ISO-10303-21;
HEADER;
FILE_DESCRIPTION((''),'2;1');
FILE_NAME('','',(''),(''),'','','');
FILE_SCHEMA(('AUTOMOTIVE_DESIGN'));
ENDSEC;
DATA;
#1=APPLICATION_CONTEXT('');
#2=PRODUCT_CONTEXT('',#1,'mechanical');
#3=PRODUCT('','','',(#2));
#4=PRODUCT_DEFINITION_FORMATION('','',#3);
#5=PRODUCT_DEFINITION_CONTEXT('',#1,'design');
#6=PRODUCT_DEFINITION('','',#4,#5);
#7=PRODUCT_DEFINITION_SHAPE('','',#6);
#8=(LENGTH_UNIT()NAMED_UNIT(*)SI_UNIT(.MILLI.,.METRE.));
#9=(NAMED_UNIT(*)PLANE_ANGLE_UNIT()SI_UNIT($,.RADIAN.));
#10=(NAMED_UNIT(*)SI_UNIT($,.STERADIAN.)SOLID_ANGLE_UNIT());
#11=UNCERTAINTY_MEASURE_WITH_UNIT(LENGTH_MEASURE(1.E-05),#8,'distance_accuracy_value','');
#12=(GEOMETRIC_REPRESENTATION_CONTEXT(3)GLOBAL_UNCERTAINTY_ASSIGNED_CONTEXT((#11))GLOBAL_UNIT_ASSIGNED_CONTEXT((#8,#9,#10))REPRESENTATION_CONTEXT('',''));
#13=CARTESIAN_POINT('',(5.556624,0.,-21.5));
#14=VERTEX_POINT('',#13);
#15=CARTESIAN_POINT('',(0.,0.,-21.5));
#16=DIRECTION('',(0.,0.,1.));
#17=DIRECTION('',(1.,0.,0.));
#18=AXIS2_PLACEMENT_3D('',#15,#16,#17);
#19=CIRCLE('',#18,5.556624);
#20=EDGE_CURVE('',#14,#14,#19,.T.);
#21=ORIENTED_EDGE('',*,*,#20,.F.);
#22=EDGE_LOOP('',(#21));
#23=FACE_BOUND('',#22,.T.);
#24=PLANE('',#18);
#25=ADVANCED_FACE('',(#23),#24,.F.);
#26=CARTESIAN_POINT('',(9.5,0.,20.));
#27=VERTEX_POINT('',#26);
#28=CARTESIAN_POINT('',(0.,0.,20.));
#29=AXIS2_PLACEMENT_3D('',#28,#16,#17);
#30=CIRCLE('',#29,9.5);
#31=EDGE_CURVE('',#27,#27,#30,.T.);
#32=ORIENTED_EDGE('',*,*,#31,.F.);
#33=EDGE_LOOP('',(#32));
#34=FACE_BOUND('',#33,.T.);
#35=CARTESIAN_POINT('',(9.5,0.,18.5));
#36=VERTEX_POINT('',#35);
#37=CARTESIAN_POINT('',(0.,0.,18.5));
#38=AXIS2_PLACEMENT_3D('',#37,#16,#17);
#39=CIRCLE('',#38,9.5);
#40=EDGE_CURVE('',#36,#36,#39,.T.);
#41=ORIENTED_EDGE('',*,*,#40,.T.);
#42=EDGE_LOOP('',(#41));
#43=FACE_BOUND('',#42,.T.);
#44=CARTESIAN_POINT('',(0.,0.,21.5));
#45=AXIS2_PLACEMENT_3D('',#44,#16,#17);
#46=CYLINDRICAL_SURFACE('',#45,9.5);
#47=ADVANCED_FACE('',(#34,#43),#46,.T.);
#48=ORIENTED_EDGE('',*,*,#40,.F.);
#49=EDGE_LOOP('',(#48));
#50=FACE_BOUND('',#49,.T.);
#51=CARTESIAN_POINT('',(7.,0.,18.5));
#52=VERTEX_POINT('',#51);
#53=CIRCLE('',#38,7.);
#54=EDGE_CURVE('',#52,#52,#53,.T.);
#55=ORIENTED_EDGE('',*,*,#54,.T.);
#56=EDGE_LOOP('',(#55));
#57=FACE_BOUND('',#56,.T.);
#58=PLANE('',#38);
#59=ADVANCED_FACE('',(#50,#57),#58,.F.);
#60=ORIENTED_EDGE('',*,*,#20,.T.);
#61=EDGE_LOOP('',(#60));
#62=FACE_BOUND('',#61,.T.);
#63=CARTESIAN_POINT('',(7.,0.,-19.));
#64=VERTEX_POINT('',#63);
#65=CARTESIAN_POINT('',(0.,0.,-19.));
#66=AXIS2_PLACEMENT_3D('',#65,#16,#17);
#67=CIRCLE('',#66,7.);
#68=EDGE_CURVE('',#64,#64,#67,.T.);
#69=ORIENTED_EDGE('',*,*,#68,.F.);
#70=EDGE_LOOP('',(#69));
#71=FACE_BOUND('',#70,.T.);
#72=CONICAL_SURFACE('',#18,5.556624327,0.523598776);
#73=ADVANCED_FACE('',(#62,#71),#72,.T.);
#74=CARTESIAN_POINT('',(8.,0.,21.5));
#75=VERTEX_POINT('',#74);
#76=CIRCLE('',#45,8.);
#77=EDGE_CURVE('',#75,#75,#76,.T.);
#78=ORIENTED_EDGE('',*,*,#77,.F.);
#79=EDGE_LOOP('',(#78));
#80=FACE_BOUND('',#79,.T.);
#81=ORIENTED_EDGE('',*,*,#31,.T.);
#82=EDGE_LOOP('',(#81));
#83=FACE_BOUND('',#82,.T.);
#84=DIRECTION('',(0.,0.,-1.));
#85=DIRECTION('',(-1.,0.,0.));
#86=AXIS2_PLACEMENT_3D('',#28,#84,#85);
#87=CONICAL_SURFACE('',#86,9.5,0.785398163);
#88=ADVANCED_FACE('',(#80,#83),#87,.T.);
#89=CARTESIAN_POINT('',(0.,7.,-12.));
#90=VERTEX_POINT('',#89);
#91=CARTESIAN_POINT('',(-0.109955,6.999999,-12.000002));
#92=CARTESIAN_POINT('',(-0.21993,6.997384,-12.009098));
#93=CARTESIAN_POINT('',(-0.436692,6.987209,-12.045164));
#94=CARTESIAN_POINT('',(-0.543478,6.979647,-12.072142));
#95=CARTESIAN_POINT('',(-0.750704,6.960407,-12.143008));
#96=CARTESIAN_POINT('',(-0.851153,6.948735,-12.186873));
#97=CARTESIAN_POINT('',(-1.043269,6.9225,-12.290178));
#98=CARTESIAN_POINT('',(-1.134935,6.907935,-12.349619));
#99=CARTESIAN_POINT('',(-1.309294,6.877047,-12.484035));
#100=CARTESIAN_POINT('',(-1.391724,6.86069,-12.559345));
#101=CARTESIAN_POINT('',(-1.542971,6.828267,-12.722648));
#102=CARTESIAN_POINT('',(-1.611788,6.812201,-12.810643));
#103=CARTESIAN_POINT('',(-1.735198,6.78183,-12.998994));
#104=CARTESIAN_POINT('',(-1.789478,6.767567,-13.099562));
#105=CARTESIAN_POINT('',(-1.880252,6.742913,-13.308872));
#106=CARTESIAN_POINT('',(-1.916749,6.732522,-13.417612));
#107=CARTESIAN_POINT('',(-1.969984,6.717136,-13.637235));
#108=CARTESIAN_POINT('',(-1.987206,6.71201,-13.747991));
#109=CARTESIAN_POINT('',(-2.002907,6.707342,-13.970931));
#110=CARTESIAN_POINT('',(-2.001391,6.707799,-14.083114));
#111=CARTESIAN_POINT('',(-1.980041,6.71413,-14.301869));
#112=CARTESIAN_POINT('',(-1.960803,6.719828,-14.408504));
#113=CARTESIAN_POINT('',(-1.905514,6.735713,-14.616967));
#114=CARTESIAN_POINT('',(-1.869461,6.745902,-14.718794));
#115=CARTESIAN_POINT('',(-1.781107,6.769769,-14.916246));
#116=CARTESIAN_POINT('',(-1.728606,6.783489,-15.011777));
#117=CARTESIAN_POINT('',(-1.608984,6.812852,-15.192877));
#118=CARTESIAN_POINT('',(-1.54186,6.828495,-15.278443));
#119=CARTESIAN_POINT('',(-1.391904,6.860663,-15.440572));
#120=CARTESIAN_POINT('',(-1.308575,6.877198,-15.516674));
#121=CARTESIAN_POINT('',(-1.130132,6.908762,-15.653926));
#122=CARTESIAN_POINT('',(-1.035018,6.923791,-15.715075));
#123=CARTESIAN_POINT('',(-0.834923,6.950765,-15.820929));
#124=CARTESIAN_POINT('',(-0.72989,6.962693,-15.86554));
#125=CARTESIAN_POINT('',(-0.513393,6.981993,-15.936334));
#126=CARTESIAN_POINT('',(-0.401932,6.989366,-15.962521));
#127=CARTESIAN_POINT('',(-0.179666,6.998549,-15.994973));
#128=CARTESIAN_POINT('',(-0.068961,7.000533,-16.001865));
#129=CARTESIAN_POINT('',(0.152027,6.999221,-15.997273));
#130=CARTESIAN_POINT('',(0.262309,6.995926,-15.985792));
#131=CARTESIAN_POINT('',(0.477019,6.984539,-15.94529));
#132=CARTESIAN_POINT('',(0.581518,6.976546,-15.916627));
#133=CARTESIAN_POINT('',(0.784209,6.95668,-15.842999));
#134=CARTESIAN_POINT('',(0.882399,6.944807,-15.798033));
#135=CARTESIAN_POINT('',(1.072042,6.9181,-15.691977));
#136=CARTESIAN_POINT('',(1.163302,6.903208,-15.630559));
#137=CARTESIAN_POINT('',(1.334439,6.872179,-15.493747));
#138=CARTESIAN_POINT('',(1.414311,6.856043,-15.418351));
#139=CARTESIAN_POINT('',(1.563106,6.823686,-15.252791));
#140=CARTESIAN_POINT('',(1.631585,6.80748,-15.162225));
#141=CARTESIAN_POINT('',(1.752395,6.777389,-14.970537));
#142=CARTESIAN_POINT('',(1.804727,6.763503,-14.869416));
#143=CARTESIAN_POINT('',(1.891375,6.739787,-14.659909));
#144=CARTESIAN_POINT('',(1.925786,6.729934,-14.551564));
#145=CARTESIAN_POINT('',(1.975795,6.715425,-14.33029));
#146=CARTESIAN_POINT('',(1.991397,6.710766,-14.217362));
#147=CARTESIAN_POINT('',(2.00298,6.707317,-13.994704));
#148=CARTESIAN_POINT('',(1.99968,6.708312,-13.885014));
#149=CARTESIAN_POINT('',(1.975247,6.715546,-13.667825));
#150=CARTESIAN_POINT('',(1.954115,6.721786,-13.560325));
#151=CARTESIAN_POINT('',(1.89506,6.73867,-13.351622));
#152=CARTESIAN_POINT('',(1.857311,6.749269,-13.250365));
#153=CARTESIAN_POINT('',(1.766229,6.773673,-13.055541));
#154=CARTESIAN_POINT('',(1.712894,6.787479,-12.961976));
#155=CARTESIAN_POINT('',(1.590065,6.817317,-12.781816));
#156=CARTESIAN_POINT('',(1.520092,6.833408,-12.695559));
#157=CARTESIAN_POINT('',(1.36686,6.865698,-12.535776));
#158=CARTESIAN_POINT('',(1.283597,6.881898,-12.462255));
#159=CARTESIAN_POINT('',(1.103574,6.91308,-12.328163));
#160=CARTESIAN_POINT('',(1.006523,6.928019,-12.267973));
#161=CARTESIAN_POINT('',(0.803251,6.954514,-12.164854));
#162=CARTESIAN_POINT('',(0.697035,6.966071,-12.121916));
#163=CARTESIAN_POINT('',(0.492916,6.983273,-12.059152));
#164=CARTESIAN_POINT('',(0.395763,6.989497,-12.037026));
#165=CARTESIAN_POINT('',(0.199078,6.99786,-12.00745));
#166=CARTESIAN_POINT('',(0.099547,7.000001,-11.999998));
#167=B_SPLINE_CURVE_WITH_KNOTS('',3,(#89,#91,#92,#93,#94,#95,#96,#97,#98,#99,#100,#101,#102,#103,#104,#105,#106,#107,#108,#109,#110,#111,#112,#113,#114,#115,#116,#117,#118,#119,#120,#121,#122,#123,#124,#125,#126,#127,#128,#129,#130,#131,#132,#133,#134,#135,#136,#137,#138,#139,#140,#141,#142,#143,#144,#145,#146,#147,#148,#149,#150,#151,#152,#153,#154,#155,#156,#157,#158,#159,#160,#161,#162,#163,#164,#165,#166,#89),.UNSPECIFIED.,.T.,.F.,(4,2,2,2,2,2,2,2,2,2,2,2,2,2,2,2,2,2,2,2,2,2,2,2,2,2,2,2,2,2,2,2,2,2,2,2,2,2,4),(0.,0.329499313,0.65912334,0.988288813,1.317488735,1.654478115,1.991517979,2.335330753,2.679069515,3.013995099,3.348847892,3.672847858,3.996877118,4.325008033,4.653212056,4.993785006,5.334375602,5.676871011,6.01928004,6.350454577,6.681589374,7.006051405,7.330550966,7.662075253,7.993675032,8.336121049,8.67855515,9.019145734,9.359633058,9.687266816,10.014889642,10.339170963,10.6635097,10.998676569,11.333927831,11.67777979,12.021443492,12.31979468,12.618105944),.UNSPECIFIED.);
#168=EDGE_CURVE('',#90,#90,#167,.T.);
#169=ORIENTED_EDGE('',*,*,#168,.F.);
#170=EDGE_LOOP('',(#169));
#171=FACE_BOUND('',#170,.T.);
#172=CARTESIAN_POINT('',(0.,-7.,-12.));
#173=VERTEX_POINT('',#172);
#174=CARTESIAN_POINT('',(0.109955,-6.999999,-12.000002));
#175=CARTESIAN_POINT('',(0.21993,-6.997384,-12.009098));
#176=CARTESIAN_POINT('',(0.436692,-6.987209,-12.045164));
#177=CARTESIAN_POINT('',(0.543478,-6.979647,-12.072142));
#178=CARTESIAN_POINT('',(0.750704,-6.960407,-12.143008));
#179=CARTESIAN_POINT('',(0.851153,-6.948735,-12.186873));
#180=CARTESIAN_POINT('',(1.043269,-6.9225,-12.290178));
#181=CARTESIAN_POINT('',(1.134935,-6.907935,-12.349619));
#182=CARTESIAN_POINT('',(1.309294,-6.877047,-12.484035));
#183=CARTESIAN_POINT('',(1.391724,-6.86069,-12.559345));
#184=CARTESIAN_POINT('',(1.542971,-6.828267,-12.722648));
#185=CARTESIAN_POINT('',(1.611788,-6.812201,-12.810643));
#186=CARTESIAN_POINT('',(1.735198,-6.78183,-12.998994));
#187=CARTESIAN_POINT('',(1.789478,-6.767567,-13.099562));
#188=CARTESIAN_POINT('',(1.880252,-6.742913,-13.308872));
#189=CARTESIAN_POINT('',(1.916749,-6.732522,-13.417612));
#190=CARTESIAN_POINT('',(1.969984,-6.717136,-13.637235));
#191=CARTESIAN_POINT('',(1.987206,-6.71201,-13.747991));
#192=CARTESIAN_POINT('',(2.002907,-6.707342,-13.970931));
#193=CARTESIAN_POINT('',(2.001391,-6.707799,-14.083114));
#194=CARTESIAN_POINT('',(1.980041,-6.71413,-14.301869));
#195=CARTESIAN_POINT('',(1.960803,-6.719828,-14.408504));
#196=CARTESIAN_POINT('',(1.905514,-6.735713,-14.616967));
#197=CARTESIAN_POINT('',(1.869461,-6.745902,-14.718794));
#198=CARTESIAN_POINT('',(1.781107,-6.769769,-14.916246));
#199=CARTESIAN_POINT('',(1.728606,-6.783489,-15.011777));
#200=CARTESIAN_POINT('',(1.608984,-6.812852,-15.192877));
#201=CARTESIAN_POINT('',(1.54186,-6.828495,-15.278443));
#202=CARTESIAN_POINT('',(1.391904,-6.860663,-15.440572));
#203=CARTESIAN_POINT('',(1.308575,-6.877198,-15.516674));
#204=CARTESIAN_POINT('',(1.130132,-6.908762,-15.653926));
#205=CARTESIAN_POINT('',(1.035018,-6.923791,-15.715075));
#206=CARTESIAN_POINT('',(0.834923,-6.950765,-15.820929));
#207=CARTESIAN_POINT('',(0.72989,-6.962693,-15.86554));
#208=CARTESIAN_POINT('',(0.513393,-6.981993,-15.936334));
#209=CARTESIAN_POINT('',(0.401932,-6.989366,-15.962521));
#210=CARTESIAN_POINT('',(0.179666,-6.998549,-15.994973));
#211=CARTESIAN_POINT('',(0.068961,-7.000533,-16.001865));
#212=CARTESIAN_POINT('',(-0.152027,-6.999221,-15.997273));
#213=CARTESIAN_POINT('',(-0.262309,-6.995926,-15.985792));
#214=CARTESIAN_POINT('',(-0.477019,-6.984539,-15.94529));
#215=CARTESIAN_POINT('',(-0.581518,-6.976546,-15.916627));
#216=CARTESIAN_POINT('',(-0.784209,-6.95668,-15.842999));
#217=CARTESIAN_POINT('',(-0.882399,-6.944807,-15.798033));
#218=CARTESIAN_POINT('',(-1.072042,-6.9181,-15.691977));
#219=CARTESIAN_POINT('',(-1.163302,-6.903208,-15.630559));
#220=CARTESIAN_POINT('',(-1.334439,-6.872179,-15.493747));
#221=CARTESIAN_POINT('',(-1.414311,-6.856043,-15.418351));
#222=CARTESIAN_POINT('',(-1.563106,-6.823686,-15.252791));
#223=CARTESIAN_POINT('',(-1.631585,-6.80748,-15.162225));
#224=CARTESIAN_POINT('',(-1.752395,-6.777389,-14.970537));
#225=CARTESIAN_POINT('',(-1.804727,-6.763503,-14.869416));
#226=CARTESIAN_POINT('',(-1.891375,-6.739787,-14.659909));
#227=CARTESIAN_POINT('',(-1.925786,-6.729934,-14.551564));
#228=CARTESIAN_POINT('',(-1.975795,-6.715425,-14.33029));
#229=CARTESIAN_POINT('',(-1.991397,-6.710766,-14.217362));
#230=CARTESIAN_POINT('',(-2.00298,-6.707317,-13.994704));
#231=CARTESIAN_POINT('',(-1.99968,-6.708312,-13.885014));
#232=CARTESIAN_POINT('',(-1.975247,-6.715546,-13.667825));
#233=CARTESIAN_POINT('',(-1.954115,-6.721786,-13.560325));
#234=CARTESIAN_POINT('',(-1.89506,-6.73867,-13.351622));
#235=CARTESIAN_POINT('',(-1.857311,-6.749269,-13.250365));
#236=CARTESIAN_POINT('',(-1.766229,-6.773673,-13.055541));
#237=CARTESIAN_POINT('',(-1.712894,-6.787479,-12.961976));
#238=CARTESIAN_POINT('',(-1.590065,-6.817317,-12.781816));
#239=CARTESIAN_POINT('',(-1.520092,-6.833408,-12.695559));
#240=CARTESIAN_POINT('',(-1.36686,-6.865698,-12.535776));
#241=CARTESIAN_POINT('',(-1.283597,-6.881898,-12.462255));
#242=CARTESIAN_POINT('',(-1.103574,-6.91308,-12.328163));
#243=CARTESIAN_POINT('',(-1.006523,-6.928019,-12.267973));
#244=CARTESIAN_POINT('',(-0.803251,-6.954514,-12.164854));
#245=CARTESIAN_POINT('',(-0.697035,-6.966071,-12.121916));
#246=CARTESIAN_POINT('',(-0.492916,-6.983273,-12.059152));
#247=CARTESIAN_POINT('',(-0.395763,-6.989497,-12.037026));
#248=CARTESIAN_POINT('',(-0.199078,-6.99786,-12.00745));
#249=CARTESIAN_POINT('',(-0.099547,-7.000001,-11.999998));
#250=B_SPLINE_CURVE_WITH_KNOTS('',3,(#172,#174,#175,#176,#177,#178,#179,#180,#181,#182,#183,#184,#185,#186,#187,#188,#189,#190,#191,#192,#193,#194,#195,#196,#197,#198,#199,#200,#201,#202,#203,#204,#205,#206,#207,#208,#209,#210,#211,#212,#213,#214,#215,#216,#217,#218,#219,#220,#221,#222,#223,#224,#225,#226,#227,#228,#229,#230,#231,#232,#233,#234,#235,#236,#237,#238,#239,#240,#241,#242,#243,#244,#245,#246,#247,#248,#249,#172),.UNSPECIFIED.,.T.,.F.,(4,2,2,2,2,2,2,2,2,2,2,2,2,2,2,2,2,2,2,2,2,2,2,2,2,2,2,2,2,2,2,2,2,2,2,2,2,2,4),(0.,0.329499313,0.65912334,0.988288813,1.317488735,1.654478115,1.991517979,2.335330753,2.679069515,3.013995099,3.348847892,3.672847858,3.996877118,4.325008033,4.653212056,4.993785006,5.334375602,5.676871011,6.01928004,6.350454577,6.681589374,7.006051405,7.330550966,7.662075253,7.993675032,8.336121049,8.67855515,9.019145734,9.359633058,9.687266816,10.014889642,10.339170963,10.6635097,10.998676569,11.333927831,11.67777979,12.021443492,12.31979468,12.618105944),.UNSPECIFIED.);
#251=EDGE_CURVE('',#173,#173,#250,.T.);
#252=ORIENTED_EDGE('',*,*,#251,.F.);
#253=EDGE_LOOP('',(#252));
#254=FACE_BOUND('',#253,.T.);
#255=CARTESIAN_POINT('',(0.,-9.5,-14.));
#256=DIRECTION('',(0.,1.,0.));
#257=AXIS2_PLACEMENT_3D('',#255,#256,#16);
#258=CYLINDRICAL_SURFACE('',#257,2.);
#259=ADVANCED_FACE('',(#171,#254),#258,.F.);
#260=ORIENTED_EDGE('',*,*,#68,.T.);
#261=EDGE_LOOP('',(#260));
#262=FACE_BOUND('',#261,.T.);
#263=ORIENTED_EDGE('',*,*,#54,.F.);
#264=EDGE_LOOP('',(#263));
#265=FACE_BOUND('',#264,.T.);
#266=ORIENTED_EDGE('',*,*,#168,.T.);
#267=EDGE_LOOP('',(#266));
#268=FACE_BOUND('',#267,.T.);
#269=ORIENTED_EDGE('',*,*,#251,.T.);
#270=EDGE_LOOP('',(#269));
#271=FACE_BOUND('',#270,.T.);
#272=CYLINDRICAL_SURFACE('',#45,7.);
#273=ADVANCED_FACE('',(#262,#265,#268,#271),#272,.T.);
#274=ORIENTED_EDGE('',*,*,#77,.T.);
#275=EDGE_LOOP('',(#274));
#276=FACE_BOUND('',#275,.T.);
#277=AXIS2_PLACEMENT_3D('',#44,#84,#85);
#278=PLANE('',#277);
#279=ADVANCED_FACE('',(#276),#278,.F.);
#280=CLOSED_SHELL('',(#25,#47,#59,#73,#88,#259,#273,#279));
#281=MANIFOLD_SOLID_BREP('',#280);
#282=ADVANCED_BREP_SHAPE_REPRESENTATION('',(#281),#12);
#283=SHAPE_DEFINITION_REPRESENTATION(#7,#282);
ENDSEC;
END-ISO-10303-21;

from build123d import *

# Parameters (mm, degrees)
WYTNIJ_WYCI_GNI_CIE1_DEPTH      = 26.352514668
WYTNIJ_WYCI_GNI_CIE1_DEPTH_BACK = 26.352514668
SZKIC2_R                        = 2


with BuildPart() as part:
    # Szkic1 → Obrót1 (revolve)
    with BuildSketch(Plane(origin=(0, 0, 0), x_dir=(1, 0, 0), z_dir=(0, 1, 0))):
        Polygon((0, -21.5), (8, -21.5), (9.5, -20), (9.5, -18.5), (7, -18.5), (7, 19), (5.556624327, 21.5), (0, 21.5), align=None)
    revolve(axis=Axis((0, 0, 21.5), (0, 0, -1)))

    # Szkic2 → Wytnij-wyciągnięcie1 (cut, two sides: drawn at the far end of the back side and taken through both)
    with BuildSketch(Plane(origin=(0, 0, 0), x_dir=(1, 0, 0), z_dir=(0, 1, 0)).offset(-WYTNIJ_WYCI_GNI_CIE1_DEPTH_BACK)):
        with Locations(Location((0, 14, 0), (0, 0, 270))):
            Circle(SZKIC2_R)
    extrude(amount=WYTNIJ_WYCI_GNI_CIE1_DEPTH + WYTNIJ_WYCI_GNI_CIE1_DEPTH_BACK, mode=Mode.SUBTRACT)


solid = part.part
